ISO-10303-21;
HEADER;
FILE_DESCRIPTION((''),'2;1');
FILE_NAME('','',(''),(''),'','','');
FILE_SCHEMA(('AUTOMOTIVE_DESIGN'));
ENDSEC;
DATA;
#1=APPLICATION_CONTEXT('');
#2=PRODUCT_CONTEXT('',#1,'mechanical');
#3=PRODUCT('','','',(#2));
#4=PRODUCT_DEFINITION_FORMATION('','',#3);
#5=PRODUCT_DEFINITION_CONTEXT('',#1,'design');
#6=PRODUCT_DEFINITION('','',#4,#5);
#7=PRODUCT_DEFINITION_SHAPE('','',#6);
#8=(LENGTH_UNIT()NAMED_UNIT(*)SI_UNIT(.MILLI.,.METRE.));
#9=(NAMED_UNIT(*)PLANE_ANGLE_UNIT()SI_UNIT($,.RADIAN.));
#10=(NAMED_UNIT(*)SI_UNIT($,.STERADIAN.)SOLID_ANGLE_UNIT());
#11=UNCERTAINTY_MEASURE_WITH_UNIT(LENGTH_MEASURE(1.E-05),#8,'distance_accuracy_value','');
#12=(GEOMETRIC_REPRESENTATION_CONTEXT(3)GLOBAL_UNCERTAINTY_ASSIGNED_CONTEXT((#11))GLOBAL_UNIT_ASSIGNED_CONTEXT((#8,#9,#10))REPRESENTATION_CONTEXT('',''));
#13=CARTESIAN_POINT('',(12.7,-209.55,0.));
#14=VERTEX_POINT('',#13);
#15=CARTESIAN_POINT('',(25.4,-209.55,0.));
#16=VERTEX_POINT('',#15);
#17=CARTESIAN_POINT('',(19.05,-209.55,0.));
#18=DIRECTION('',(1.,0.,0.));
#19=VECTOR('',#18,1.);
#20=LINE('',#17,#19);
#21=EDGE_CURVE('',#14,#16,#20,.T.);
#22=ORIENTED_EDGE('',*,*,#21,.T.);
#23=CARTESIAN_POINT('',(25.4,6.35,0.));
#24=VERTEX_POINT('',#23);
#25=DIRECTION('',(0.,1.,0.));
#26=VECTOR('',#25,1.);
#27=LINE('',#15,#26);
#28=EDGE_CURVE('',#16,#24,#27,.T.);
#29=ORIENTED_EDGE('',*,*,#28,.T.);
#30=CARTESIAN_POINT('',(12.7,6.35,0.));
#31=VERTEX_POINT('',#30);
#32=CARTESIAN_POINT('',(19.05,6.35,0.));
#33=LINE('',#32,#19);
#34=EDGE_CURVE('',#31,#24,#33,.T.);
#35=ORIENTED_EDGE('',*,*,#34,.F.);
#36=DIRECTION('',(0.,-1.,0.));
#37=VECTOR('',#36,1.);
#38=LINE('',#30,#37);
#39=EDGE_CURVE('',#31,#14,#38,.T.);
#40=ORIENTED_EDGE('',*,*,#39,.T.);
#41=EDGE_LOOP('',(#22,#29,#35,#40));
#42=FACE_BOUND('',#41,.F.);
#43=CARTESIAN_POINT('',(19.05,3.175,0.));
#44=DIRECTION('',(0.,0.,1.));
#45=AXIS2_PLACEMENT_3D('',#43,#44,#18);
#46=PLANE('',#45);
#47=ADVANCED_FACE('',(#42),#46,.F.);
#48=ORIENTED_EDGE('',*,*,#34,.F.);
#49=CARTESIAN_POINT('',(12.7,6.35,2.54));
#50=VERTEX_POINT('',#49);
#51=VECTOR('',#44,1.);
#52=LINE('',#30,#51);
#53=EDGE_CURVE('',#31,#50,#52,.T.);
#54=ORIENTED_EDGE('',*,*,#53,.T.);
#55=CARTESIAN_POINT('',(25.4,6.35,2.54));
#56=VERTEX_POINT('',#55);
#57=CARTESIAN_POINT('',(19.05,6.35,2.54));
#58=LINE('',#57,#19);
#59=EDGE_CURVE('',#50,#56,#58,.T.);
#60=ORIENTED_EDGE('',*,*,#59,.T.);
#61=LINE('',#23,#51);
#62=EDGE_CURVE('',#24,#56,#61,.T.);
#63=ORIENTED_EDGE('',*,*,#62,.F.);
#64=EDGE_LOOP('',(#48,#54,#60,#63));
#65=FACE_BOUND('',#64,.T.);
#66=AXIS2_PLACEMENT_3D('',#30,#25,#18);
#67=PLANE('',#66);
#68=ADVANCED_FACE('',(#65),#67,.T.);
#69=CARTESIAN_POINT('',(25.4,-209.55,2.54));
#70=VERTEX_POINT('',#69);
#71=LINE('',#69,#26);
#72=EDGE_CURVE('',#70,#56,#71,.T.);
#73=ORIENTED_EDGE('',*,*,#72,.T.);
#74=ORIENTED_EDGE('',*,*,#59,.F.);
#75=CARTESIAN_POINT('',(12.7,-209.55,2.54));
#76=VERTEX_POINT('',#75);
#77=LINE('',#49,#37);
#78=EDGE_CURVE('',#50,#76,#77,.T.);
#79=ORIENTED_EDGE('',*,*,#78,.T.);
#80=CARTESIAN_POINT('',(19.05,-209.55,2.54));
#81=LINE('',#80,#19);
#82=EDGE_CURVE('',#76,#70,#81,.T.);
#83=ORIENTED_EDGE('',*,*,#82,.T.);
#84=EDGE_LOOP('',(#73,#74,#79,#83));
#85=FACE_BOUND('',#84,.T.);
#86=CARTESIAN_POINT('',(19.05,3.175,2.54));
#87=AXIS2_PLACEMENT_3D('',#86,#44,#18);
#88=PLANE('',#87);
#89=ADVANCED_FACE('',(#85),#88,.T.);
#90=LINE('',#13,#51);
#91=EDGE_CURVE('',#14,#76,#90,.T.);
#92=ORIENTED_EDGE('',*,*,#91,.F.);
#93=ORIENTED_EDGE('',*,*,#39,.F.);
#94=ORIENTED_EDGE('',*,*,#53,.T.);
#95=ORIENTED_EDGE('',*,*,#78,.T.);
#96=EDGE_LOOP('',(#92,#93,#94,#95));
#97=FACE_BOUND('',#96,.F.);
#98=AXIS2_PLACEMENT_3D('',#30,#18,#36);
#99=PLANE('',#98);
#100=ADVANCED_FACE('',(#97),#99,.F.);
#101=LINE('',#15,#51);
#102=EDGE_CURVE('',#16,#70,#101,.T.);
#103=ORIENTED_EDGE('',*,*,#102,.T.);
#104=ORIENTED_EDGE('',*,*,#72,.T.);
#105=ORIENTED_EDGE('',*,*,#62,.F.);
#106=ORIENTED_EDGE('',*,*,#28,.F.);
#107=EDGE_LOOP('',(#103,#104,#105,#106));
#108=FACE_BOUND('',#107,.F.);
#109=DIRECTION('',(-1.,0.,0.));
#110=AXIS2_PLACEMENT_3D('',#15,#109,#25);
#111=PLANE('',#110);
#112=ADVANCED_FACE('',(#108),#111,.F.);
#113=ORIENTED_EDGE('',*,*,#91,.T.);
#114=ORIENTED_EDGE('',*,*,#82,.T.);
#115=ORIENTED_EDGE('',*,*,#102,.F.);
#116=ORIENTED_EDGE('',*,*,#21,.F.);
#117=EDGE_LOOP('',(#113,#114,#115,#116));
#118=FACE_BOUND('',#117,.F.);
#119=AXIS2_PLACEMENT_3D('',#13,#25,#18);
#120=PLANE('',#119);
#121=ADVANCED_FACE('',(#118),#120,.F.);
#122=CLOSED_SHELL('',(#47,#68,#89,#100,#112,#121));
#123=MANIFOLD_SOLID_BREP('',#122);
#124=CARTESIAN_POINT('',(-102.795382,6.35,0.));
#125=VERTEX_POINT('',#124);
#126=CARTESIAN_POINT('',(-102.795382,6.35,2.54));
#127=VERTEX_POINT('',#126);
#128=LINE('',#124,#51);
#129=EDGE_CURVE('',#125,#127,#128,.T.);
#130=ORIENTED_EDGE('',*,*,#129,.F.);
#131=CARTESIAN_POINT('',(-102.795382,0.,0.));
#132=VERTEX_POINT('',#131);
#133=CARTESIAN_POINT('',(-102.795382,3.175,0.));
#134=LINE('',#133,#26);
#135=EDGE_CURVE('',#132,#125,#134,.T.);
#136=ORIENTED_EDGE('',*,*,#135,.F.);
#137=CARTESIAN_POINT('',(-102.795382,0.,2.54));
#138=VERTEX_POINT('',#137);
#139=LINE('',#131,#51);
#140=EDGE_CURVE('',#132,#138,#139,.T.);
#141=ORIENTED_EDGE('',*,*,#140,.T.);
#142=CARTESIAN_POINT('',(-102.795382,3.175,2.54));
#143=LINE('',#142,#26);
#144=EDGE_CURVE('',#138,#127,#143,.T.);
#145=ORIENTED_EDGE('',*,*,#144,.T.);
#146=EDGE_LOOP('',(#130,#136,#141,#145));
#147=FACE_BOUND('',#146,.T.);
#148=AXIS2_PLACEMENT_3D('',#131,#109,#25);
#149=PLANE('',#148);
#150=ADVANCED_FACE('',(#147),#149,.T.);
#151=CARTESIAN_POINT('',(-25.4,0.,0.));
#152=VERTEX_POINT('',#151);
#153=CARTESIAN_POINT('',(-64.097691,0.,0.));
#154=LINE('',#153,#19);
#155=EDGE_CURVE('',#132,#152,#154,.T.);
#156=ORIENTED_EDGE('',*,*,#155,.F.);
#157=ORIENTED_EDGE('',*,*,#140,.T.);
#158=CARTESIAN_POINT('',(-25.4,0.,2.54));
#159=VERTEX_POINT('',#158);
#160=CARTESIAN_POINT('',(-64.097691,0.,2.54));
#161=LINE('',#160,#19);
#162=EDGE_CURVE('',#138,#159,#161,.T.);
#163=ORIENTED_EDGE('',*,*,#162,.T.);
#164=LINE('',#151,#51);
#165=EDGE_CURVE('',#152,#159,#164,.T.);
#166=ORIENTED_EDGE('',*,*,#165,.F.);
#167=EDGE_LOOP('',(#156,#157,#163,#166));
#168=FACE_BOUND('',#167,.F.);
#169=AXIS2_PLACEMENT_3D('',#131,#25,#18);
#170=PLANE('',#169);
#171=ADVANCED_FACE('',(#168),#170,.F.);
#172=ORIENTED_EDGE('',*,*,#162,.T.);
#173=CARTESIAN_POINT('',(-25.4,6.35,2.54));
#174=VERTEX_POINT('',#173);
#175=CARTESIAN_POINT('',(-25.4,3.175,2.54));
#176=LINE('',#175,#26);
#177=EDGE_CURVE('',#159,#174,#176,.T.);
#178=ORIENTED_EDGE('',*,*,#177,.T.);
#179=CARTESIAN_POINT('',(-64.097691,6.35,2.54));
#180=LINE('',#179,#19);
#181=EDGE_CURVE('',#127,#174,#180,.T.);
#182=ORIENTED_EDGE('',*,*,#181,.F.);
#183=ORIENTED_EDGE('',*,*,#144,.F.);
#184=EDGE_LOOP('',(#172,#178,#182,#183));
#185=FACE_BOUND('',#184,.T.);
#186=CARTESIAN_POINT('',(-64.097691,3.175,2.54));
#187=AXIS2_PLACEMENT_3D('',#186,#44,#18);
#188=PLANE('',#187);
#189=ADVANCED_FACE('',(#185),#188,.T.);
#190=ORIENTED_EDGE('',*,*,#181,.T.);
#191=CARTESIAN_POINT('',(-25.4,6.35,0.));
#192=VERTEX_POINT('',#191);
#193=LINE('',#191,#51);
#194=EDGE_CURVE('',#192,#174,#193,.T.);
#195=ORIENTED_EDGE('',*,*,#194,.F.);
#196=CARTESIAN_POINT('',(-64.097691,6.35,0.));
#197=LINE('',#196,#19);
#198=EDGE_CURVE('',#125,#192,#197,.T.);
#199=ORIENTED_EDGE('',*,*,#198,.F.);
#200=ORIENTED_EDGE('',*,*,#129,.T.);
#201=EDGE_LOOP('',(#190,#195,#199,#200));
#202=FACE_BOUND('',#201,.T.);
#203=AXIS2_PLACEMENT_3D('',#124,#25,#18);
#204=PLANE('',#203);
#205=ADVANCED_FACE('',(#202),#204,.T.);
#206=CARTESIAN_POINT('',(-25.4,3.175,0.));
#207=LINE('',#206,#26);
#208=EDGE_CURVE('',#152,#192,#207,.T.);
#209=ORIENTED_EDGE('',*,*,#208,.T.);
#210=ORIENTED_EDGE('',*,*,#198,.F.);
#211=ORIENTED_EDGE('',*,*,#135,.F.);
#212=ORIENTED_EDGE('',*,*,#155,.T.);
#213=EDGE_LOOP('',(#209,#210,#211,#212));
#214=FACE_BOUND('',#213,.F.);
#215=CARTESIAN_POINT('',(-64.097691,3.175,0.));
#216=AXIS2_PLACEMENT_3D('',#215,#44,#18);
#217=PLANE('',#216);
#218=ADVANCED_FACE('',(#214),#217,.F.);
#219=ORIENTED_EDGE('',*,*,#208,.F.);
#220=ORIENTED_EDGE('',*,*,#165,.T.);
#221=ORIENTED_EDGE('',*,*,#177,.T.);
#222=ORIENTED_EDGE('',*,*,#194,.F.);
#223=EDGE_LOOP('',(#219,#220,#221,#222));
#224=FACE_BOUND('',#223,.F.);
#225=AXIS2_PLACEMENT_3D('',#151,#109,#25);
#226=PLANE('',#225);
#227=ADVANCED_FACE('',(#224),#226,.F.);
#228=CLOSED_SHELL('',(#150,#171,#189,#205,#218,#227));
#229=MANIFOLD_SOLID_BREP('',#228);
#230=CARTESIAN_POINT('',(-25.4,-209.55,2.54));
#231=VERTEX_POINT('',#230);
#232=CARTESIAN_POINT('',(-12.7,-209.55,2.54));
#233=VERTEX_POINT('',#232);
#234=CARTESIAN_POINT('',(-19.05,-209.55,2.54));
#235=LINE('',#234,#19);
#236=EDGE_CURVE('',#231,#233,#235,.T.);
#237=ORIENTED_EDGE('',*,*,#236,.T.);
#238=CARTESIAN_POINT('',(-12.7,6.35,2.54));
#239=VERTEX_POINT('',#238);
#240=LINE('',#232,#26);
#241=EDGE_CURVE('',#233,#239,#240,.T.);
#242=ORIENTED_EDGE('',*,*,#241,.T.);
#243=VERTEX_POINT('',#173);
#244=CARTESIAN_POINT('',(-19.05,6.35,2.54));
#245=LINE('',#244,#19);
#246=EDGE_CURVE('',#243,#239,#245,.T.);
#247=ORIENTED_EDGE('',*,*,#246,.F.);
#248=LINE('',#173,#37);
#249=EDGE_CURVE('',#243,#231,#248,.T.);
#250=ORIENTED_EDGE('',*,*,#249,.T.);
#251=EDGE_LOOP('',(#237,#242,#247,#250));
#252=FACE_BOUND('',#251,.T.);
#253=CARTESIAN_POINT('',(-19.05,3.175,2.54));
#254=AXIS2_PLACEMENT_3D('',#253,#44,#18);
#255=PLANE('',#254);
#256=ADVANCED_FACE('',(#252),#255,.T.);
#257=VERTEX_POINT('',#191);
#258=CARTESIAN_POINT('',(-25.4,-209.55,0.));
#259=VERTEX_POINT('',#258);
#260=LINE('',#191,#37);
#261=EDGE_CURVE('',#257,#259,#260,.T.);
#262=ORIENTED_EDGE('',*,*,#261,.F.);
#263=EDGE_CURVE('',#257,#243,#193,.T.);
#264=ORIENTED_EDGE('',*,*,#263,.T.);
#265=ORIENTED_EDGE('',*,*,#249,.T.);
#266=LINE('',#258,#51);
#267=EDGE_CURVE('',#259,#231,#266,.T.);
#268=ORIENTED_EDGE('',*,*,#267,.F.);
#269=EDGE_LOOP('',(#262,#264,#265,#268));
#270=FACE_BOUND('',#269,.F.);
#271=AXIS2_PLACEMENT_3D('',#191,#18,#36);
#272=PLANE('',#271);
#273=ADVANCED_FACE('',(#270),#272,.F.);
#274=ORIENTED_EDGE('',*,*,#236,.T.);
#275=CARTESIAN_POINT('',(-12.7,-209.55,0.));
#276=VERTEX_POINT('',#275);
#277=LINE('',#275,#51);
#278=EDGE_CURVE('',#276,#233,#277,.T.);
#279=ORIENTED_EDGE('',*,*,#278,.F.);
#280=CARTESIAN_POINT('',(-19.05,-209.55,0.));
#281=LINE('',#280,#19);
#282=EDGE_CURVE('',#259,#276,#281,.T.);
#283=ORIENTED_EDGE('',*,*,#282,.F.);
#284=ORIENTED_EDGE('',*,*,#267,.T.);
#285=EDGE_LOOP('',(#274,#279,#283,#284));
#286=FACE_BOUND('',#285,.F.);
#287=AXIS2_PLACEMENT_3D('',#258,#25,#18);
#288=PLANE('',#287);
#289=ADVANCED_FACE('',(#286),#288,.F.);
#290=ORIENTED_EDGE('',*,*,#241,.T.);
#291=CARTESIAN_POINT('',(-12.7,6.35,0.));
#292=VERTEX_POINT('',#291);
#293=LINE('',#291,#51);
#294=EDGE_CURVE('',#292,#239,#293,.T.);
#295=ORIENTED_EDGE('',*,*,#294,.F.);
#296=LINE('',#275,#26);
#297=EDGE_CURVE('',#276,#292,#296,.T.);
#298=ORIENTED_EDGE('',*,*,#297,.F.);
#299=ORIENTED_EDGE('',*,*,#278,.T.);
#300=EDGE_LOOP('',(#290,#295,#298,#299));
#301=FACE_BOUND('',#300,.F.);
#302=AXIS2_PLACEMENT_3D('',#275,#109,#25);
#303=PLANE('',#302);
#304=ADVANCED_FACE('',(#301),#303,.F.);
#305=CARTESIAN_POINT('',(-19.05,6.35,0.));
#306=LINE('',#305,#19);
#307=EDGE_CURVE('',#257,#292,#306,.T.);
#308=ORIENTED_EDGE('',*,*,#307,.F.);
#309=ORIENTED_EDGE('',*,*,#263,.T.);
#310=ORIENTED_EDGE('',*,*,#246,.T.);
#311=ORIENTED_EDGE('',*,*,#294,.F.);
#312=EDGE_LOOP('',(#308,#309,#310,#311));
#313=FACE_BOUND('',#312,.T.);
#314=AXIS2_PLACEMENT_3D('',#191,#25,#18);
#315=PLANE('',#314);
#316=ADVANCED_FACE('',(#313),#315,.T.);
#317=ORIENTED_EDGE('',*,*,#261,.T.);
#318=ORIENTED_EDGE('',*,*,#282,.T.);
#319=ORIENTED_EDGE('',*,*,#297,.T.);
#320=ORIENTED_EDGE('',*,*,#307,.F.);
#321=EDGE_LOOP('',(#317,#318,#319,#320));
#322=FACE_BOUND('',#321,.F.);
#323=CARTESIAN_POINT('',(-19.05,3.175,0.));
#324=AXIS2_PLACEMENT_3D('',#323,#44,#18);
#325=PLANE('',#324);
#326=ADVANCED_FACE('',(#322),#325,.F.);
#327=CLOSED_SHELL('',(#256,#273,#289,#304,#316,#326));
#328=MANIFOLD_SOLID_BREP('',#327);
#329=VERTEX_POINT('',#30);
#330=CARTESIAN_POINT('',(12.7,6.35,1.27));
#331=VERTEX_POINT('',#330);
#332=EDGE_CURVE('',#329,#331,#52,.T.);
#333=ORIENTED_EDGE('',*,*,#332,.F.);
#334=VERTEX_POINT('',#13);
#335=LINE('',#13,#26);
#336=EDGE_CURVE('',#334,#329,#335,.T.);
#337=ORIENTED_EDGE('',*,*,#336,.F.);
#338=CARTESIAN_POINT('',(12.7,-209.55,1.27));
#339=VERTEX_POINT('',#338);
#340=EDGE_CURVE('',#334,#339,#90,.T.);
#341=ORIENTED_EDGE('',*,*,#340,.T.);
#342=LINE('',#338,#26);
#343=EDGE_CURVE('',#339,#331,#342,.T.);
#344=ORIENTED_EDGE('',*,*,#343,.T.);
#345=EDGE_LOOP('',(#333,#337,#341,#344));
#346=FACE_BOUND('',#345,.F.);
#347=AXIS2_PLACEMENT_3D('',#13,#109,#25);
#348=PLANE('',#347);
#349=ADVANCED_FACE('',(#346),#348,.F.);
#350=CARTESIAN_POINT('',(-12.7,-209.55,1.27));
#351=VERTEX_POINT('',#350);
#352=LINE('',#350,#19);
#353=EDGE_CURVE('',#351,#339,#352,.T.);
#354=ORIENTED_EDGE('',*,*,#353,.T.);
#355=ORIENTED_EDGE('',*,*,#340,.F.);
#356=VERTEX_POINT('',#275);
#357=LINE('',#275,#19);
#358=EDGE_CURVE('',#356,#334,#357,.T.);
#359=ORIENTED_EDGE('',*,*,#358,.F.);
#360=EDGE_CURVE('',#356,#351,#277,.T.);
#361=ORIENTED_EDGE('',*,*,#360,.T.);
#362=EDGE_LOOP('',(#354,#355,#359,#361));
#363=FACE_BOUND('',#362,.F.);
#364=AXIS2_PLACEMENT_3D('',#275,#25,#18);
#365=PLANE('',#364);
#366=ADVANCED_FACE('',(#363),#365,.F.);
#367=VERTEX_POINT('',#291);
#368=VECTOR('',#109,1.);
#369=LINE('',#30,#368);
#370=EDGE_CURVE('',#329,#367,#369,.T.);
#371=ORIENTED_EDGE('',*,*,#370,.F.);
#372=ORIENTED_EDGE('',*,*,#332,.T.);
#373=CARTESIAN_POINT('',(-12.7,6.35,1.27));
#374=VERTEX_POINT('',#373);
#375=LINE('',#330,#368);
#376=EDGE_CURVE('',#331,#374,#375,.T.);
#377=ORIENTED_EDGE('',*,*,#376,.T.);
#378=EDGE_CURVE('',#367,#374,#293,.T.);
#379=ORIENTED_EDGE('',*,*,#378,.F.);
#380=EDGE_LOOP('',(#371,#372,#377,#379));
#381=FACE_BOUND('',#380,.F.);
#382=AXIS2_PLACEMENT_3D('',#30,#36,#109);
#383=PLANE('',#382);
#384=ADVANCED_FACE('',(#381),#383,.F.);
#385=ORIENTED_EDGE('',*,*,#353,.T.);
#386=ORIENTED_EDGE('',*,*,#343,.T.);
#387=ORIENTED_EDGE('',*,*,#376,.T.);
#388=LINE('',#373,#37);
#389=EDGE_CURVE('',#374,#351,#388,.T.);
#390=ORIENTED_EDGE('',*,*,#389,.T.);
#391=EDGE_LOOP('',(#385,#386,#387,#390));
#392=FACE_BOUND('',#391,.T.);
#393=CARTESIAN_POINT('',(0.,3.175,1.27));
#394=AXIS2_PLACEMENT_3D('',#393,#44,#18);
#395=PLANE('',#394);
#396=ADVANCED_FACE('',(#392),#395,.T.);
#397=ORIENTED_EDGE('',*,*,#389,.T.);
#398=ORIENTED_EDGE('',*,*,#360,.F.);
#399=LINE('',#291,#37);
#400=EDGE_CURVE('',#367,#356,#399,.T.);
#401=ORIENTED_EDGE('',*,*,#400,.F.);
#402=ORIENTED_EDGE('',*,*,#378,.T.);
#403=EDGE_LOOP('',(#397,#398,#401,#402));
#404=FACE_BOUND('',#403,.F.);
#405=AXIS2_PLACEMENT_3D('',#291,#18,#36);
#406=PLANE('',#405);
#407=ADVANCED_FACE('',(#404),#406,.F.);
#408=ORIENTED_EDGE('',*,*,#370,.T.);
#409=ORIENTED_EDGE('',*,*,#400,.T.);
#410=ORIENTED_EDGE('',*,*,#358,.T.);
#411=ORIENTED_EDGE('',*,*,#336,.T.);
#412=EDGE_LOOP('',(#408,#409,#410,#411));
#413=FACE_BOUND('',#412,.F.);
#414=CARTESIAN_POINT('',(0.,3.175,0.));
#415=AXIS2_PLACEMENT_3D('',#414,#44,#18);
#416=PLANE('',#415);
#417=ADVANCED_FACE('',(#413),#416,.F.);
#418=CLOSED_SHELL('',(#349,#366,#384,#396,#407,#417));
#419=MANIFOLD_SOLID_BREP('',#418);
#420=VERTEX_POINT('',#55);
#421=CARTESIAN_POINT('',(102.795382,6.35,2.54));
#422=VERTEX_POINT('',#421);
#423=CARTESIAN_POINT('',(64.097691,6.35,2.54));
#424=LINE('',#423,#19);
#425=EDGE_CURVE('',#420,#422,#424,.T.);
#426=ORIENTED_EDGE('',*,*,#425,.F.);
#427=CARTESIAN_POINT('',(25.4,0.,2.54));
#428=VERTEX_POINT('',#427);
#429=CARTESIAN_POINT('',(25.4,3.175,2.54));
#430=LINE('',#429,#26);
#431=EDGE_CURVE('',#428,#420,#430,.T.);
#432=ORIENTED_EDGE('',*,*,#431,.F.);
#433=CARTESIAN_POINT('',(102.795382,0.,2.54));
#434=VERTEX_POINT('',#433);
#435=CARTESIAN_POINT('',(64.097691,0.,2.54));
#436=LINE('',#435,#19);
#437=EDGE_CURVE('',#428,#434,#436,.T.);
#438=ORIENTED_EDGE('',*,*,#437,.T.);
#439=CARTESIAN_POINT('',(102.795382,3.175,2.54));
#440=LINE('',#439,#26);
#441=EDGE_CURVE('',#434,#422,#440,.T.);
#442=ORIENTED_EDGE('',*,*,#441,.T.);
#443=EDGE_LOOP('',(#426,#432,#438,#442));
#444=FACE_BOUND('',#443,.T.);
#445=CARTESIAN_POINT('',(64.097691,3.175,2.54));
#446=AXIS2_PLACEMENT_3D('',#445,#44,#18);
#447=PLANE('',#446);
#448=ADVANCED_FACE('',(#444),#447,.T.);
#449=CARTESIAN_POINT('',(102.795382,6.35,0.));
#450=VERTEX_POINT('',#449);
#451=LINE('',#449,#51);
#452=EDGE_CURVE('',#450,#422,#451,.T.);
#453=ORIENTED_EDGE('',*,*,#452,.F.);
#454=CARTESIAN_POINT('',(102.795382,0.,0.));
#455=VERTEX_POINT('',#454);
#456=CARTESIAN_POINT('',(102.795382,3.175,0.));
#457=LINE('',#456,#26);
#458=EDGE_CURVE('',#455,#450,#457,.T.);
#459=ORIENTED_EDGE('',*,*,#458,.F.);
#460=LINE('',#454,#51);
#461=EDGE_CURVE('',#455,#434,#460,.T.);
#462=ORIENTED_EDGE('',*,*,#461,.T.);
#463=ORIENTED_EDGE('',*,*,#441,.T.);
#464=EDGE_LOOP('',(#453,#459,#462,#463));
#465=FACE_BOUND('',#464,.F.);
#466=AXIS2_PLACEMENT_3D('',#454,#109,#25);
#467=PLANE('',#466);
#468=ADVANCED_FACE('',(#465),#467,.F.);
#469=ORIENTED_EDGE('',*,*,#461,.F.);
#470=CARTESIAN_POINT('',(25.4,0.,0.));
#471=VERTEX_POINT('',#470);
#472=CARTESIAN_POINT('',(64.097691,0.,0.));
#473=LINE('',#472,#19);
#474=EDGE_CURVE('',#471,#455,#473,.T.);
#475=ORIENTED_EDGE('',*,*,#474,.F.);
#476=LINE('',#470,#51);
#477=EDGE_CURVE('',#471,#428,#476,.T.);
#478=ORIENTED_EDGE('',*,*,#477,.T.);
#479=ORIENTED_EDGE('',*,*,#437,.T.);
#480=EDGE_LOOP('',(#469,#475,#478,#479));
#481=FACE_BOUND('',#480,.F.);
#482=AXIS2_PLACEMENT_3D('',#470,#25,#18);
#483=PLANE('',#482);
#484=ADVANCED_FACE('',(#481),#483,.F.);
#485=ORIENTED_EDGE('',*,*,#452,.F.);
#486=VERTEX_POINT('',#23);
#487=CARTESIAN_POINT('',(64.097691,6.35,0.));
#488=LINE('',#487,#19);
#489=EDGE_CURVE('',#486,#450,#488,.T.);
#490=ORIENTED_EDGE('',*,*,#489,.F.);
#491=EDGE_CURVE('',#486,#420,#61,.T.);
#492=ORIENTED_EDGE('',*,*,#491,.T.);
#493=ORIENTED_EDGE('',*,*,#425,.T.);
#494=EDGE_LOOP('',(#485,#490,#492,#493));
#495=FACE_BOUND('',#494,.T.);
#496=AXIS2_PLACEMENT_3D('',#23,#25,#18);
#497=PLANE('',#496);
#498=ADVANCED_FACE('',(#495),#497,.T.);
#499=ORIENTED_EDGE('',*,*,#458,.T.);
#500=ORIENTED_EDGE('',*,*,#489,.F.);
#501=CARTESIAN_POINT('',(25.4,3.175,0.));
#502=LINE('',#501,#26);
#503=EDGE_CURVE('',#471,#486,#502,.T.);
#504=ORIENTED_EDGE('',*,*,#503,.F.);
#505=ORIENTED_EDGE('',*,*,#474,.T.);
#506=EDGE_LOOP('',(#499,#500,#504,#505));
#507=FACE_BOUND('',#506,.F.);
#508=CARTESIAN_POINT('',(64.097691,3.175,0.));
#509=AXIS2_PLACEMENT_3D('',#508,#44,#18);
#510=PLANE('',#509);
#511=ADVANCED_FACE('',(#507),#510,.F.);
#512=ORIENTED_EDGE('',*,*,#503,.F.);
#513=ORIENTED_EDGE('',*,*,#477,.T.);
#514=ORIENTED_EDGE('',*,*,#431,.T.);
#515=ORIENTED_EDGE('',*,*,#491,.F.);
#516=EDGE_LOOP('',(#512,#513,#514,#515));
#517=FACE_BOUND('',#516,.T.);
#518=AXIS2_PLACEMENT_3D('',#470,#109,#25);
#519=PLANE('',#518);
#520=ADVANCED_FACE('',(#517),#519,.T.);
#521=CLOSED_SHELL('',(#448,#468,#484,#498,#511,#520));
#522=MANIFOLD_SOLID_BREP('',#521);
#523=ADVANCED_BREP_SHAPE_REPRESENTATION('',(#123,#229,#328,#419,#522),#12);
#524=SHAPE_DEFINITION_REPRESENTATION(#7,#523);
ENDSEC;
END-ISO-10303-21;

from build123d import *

# Parameters (mm, degrees)
F0_W     = 12.7
F0_H     = 6.35
F0_H_2   = 209.55
F1_DEPTH = 2.54
F0_W_2   = 77.395382
F2_DEPTH = 2.54
F3_DEPTH = 1.27


with BuildPart() as f1:
    # F0 (on Top) → F1 (new body)
    with BuildSketch(Plane.XY):
        with Locations((-19.05, 3.175)):
            Rectangle(F0_W, F0_H)
        with Locations((19.05, 3.175)):
            Rectangle(F0_W, F0_H)
        with Locations((19.05, -104.775)):
            Rectangle(F0_W, F0_H_2)
        with Locations((-19.05, -104.775)):
            Rectangle(F0_W, F0_H_2)
    extrude(amount=F1_DEPTH)


with BuildPart() as f2:
    # F0 (on Top) → F2 (new body)
    with BuildSketch(Plane.XY):
        with Locations((64.097691, 3.175)):
            Rectangle(F0_W_2, F0_H)
        with Locations((-64.097691, 3.175)):
            Rectangle(F0_W_2, F0_H)
    extrude(amount=F2_DEPTH)


with BuildPart() as f3:
    # F0 (on Top) → F3 (new body)
    with BuildSketch(Plane.XY):
        Polygon((-12.7, 0), (0, 0), (12.7, 0), (12.7, 6.35), (-12.7, 6.35), align=None)
        Polygon((12.7, 0), (0, 0), (-12.7, 0), (-12.7, -209.55), (12.7, -209.55), align=None)
    extrude(amount=F3_DEPTH)


solid = Compound([f1.part, f2.part, f3.part])
